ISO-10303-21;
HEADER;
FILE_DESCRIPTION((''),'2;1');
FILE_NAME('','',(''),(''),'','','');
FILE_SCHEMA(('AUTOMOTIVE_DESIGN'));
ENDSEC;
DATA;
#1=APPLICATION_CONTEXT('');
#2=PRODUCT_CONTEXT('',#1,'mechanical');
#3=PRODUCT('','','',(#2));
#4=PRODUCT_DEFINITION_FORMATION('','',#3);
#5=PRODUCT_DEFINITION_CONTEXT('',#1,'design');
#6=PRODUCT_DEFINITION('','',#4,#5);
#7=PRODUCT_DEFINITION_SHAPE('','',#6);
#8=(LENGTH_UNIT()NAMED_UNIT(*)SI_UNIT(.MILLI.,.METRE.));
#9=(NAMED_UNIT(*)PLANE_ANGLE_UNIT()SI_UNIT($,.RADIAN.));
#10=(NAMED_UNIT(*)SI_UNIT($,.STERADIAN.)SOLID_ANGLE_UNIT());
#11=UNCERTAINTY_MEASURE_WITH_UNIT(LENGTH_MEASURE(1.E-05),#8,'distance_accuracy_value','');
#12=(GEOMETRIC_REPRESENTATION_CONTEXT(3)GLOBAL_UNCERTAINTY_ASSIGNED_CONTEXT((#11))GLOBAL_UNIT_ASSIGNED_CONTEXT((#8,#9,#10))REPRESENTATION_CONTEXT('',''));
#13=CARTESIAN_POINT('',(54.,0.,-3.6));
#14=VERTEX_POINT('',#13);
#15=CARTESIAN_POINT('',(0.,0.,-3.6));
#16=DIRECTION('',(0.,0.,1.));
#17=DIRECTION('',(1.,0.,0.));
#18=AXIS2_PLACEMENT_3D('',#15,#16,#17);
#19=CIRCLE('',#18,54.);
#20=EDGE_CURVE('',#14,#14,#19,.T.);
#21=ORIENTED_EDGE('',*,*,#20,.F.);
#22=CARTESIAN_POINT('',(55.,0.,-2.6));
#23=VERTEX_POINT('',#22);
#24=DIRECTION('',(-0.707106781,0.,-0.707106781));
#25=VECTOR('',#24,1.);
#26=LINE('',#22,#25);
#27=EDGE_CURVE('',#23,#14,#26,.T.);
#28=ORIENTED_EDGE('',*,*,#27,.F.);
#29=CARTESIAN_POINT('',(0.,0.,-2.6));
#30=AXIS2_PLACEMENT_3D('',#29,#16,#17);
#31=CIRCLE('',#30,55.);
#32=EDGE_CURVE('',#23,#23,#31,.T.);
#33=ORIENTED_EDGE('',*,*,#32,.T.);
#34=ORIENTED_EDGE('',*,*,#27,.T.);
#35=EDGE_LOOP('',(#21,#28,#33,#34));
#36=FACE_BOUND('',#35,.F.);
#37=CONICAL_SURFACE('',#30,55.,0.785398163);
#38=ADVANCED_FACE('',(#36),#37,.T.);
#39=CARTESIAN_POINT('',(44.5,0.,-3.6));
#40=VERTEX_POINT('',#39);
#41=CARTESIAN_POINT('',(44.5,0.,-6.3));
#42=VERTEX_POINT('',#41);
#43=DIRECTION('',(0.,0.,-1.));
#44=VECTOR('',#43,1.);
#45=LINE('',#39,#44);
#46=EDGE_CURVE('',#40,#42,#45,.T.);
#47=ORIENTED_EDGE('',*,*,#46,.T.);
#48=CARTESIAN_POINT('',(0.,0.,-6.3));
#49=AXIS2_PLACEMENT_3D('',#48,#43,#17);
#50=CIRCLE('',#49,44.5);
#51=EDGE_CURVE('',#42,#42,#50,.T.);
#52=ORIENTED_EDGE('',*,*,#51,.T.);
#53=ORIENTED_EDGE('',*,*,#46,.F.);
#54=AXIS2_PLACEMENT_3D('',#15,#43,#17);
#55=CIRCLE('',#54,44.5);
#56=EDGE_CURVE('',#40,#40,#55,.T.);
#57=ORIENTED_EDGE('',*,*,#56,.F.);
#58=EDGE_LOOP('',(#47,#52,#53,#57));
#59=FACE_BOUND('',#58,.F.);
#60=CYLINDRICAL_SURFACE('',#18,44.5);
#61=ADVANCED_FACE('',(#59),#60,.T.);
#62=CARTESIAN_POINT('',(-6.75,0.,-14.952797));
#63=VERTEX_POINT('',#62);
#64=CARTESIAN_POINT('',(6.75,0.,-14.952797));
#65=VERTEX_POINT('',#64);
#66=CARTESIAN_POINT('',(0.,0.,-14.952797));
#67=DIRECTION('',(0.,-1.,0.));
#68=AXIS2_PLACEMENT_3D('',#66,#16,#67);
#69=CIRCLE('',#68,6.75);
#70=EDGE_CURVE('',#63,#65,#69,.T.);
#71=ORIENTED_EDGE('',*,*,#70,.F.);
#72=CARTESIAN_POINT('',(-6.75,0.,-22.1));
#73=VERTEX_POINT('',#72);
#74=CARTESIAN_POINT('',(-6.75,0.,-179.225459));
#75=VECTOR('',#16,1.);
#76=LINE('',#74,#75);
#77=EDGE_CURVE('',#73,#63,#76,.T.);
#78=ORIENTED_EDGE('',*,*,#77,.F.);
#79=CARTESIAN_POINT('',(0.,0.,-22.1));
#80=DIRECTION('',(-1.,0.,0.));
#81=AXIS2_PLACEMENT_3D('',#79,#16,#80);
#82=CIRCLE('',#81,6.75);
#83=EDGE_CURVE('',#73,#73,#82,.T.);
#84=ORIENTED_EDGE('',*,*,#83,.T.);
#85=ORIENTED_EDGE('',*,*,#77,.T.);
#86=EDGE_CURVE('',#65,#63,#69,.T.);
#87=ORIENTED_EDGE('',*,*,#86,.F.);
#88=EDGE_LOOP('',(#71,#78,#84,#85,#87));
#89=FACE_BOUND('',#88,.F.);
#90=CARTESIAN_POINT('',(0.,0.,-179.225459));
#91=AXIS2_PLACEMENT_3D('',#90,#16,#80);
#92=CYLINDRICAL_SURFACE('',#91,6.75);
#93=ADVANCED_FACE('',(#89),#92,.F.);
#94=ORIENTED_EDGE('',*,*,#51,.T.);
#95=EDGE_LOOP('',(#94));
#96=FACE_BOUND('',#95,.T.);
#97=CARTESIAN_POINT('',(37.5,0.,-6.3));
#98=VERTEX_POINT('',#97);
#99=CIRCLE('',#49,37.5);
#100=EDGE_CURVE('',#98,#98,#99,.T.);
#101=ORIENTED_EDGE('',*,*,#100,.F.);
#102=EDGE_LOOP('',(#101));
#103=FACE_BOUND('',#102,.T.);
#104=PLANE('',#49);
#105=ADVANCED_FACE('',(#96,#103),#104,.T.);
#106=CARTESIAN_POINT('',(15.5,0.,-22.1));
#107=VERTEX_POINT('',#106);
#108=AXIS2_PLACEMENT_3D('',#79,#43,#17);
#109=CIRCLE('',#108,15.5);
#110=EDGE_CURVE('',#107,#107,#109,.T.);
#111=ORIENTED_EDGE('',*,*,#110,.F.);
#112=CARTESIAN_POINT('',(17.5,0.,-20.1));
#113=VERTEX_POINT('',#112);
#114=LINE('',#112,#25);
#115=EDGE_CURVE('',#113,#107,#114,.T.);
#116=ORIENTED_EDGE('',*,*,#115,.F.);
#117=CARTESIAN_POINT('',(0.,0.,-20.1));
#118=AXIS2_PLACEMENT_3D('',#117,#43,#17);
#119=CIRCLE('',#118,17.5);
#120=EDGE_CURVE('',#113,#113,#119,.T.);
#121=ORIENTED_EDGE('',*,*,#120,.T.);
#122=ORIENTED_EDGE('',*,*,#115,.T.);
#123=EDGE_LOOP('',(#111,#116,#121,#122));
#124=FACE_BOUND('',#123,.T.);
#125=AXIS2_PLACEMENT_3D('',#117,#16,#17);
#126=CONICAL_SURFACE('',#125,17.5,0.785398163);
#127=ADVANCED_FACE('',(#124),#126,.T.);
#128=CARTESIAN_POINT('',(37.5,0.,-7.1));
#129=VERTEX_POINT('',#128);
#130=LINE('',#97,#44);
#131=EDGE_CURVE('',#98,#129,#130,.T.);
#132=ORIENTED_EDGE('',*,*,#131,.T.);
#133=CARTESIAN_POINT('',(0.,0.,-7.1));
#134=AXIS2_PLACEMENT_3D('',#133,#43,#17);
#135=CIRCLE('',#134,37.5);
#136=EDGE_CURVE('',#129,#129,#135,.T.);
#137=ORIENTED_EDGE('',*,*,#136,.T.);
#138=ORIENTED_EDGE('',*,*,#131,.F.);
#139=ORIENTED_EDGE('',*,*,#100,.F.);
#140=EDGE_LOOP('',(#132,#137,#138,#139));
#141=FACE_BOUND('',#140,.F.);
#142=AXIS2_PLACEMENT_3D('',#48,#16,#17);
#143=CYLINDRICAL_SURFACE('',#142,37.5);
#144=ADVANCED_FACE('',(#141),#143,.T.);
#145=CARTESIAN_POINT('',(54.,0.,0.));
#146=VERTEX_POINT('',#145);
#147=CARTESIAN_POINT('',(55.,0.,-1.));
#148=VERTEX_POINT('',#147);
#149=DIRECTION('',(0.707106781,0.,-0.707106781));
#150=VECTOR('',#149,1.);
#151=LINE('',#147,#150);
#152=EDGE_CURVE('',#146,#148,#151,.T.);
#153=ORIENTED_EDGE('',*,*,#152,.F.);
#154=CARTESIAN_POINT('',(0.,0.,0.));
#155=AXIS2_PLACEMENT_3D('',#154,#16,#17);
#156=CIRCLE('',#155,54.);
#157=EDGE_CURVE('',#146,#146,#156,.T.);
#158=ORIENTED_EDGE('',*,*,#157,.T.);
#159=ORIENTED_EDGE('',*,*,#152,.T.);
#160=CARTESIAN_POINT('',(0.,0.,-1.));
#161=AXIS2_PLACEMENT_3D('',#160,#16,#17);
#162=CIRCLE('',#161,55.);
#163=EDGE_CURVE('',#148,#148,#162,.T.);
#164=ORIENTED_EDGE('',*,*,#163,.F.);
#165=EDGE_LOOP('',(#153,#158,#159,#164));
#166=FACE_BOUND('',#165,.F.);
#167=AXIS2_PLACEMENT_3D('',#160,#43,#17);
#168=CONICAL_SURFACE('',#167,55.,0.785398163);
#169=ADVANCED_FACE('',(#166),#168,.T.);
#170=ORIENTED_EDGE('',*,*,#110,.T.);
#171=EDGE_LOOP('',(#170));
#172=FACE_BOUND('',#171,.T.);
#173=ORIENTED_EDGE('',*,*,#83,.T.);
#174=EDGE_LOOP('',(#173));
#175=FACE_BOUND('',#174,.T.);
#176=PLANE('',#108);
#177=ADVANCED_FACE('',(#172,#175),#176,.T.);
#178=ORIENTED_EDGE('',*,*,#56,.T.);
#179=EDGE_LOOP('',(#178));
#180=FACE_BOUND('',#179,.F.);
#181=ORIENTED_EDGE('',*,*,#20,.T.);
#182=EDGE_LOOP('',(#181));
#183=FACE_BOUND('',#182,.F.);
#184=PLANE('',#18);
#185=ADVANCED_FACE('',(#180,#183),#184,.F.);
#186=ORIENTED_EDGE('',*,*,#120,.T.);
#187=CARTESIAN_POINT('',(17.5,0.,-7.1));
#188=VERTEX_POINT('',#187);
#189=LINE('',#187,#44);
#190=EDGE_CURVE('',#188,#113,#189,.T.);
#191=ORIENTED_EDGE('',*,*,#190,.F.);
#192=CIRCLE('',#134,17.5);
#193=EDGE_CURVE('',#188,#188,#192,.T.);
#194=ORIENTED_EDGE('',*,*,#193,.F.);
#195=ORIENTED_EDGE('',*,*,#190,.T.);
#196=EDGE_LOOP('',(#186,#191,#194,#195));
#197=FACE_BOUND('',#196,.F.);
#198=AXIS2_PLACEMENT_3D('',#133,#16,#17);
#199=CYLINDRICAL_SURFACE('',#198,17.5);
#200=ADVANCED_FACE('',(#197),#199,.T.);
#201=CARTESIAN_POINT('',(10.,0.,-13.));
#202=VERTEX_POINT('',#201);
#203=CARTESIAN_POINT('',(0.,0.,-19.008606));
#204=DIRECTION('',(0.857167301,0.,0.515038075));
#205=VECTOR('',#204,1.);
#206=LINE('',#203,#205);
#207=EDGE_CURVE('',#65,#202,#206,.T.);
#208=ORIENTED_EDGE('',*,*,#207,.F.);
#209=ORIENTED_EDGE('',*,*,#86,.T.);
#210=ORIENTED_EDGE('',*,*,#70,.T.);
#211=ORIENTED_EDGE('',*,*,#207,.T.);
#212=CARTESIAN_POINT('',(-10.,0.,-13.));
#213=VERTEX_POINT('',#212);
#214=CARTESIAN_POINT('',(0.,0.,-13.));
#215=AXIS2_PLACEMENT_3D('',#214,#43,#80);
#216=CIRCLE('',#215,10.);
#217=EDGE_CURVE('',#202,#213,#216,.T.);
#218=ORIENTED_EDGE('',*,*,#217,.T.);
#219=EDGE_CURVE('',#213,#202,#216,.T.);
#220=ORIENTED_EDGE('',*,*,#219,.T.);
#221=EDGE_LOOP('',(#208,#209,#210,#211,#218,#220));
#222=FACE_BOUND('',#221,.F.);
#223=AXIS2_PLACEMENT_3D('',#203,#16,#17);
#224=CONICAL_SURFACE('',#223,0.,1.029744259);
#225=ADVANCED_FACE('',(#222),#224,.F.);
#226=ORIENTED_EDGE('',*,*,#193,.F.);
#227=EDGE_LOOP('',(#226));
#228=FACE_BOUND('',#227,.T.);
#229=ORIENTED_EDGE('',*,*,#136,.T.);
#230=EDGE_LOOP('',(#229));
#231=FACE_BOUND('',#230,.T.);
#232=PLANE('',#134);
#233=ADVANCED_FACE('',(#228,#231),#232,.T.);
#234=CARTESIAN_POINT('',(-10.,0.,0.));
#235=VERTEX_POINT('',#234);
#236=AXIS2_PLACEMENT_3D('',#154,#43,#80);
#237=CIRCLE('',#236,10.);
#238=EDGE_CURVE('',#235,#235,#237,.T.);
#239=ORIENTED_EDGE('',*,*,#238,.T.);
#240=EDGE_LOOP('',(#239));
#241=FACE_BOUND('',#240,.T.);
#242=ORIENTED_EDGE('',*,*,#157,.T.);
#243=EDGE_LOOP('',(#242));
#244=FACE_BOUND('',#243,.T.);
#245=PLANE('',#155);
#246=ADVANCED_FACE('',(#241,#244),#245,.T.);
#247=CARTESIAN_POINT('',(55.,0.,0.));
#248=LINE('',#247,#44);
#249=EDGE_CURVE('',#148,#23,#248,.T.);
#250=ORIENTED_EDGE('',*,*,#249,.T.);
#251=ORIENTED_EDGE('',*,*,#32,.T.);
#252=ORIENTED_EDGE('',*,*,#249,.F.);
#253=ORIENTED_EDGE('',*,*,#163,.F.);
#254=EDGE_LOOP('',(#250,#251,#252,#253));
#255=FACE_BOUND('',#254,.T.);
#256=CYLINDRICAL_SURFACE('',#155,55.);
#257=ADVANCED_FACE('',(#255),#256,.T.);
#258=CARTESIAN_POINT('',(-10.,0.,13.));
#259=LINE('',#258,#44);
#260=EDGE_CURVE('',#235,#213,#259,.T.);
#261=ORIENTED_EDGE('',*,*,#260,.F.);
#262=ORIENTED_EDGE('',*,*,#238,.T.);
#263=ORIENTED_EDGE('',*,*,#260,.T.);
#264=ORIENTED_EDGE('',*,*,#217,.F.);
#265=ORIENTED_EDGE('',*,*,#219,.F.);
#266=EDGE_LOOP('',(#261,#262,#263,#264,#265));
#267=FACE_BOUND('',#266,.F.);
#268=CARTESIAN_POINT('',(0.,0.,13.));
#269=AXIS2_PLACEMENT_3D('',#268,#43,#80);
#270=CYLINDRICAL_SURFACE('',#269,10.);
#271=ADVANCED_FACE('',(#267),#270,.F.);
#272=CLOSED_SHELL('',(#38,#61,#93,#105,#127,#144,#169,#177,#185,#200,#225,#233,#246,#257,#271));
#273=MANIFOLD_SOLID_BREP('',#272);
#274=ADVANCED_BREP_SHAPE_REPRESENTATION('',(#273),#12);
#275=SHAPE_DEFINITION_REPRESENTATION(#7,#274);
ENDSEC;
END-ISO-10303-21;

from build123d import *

# Parameters (mm, degrees)
F0_R      = 55
F1_DEPTH  = 3.6
F2_R      = 44.5
F3_DEPTH  = 2.7
F4_R      = 37.5
F5_DEPTH  = 0.8
F6_R      = 17.5
F7_DEPTH  = 15
F8_SIZE   = 2
F10_D     = 20
F10_DEPTH = 13
F10_TIP   = 6.0086061903
F13_D     = 13.5
F14_SIZE  = 1
F15_SIZE  = 1


with BuildPart() as f1:
    # F0 (on Top) → F1 (new body)
    with BuildSketch(Plane.XY):
        Circle(F0_R)
    extrude(amount=-F1_DEPTH)

    # F2 (on face) → F3 (join)
    with BuildSketch(Plane(origin=(0, 0, -3.6), x_dir=(1, 0, 0), z_dir=(0, 0, -1))):
        Circle(F2_R)
    extrude(amount=F3_DEPTH)

    # F4 (on face) → F5 (join)
    with BuildSketch(Plane(origin=(0, 0, -6.3), x_dir=(1, 0, 0), z_dir=(0, 0, -1))):
        Circle(F4_R)
    extrude(amount=F5_DEPTH)

    # F6 (on face) → F7 (join)
    with BuildSketch(Plane(origin=(0, 0, -7.1), x_dir=(1, 0, 0), z_dir=(0, 0, -1))):
        Circle(F6_R)
    extrude(amount=F7_DEPTH)

    # F8
    f8_edges = [f1.edges().sort_by_distance(p)[0] for p in [
        (-17.5, 0, -22.1),
    ]]
    chamfer(f8_edges, length=F8_SIZE)

    # F10
    with Locations(Plane.XY):
        with Locations((0, 0)):
            Hole(F10_D / 2, depth=F10_DEPTH)
            with Locations((0, 0, -(F10_DEPTH + F10_TIP / 2))):  # 118° drill point
                Cone(0, F10_D / 2, F10_TIP, mode=Mode.SUBTRACT)

    # F13 (through all)
    with Locations(Plane(origin=(0, 0, -22.1), x_dir=(1, 0, 0), z_dir=(0, 0, -1))):
        with Locations((0, 0)):
            Hole(F13_D / 2)

    # F14
    f14_edges = [f1.edges().sort_by_distance(p)[0] for p in [
        (-55, 0, 0),
    ]]
    chamfer(f14_edges, length=F14_SIZE)

    # F15
    f15_edges = [f1.edges().sort_by_distance(p)[0] for p in [
        (-55, 0, -3.6),
    ]]
    chamfer(f15_edges, length=F15_SIZE)


solid = f1.part
